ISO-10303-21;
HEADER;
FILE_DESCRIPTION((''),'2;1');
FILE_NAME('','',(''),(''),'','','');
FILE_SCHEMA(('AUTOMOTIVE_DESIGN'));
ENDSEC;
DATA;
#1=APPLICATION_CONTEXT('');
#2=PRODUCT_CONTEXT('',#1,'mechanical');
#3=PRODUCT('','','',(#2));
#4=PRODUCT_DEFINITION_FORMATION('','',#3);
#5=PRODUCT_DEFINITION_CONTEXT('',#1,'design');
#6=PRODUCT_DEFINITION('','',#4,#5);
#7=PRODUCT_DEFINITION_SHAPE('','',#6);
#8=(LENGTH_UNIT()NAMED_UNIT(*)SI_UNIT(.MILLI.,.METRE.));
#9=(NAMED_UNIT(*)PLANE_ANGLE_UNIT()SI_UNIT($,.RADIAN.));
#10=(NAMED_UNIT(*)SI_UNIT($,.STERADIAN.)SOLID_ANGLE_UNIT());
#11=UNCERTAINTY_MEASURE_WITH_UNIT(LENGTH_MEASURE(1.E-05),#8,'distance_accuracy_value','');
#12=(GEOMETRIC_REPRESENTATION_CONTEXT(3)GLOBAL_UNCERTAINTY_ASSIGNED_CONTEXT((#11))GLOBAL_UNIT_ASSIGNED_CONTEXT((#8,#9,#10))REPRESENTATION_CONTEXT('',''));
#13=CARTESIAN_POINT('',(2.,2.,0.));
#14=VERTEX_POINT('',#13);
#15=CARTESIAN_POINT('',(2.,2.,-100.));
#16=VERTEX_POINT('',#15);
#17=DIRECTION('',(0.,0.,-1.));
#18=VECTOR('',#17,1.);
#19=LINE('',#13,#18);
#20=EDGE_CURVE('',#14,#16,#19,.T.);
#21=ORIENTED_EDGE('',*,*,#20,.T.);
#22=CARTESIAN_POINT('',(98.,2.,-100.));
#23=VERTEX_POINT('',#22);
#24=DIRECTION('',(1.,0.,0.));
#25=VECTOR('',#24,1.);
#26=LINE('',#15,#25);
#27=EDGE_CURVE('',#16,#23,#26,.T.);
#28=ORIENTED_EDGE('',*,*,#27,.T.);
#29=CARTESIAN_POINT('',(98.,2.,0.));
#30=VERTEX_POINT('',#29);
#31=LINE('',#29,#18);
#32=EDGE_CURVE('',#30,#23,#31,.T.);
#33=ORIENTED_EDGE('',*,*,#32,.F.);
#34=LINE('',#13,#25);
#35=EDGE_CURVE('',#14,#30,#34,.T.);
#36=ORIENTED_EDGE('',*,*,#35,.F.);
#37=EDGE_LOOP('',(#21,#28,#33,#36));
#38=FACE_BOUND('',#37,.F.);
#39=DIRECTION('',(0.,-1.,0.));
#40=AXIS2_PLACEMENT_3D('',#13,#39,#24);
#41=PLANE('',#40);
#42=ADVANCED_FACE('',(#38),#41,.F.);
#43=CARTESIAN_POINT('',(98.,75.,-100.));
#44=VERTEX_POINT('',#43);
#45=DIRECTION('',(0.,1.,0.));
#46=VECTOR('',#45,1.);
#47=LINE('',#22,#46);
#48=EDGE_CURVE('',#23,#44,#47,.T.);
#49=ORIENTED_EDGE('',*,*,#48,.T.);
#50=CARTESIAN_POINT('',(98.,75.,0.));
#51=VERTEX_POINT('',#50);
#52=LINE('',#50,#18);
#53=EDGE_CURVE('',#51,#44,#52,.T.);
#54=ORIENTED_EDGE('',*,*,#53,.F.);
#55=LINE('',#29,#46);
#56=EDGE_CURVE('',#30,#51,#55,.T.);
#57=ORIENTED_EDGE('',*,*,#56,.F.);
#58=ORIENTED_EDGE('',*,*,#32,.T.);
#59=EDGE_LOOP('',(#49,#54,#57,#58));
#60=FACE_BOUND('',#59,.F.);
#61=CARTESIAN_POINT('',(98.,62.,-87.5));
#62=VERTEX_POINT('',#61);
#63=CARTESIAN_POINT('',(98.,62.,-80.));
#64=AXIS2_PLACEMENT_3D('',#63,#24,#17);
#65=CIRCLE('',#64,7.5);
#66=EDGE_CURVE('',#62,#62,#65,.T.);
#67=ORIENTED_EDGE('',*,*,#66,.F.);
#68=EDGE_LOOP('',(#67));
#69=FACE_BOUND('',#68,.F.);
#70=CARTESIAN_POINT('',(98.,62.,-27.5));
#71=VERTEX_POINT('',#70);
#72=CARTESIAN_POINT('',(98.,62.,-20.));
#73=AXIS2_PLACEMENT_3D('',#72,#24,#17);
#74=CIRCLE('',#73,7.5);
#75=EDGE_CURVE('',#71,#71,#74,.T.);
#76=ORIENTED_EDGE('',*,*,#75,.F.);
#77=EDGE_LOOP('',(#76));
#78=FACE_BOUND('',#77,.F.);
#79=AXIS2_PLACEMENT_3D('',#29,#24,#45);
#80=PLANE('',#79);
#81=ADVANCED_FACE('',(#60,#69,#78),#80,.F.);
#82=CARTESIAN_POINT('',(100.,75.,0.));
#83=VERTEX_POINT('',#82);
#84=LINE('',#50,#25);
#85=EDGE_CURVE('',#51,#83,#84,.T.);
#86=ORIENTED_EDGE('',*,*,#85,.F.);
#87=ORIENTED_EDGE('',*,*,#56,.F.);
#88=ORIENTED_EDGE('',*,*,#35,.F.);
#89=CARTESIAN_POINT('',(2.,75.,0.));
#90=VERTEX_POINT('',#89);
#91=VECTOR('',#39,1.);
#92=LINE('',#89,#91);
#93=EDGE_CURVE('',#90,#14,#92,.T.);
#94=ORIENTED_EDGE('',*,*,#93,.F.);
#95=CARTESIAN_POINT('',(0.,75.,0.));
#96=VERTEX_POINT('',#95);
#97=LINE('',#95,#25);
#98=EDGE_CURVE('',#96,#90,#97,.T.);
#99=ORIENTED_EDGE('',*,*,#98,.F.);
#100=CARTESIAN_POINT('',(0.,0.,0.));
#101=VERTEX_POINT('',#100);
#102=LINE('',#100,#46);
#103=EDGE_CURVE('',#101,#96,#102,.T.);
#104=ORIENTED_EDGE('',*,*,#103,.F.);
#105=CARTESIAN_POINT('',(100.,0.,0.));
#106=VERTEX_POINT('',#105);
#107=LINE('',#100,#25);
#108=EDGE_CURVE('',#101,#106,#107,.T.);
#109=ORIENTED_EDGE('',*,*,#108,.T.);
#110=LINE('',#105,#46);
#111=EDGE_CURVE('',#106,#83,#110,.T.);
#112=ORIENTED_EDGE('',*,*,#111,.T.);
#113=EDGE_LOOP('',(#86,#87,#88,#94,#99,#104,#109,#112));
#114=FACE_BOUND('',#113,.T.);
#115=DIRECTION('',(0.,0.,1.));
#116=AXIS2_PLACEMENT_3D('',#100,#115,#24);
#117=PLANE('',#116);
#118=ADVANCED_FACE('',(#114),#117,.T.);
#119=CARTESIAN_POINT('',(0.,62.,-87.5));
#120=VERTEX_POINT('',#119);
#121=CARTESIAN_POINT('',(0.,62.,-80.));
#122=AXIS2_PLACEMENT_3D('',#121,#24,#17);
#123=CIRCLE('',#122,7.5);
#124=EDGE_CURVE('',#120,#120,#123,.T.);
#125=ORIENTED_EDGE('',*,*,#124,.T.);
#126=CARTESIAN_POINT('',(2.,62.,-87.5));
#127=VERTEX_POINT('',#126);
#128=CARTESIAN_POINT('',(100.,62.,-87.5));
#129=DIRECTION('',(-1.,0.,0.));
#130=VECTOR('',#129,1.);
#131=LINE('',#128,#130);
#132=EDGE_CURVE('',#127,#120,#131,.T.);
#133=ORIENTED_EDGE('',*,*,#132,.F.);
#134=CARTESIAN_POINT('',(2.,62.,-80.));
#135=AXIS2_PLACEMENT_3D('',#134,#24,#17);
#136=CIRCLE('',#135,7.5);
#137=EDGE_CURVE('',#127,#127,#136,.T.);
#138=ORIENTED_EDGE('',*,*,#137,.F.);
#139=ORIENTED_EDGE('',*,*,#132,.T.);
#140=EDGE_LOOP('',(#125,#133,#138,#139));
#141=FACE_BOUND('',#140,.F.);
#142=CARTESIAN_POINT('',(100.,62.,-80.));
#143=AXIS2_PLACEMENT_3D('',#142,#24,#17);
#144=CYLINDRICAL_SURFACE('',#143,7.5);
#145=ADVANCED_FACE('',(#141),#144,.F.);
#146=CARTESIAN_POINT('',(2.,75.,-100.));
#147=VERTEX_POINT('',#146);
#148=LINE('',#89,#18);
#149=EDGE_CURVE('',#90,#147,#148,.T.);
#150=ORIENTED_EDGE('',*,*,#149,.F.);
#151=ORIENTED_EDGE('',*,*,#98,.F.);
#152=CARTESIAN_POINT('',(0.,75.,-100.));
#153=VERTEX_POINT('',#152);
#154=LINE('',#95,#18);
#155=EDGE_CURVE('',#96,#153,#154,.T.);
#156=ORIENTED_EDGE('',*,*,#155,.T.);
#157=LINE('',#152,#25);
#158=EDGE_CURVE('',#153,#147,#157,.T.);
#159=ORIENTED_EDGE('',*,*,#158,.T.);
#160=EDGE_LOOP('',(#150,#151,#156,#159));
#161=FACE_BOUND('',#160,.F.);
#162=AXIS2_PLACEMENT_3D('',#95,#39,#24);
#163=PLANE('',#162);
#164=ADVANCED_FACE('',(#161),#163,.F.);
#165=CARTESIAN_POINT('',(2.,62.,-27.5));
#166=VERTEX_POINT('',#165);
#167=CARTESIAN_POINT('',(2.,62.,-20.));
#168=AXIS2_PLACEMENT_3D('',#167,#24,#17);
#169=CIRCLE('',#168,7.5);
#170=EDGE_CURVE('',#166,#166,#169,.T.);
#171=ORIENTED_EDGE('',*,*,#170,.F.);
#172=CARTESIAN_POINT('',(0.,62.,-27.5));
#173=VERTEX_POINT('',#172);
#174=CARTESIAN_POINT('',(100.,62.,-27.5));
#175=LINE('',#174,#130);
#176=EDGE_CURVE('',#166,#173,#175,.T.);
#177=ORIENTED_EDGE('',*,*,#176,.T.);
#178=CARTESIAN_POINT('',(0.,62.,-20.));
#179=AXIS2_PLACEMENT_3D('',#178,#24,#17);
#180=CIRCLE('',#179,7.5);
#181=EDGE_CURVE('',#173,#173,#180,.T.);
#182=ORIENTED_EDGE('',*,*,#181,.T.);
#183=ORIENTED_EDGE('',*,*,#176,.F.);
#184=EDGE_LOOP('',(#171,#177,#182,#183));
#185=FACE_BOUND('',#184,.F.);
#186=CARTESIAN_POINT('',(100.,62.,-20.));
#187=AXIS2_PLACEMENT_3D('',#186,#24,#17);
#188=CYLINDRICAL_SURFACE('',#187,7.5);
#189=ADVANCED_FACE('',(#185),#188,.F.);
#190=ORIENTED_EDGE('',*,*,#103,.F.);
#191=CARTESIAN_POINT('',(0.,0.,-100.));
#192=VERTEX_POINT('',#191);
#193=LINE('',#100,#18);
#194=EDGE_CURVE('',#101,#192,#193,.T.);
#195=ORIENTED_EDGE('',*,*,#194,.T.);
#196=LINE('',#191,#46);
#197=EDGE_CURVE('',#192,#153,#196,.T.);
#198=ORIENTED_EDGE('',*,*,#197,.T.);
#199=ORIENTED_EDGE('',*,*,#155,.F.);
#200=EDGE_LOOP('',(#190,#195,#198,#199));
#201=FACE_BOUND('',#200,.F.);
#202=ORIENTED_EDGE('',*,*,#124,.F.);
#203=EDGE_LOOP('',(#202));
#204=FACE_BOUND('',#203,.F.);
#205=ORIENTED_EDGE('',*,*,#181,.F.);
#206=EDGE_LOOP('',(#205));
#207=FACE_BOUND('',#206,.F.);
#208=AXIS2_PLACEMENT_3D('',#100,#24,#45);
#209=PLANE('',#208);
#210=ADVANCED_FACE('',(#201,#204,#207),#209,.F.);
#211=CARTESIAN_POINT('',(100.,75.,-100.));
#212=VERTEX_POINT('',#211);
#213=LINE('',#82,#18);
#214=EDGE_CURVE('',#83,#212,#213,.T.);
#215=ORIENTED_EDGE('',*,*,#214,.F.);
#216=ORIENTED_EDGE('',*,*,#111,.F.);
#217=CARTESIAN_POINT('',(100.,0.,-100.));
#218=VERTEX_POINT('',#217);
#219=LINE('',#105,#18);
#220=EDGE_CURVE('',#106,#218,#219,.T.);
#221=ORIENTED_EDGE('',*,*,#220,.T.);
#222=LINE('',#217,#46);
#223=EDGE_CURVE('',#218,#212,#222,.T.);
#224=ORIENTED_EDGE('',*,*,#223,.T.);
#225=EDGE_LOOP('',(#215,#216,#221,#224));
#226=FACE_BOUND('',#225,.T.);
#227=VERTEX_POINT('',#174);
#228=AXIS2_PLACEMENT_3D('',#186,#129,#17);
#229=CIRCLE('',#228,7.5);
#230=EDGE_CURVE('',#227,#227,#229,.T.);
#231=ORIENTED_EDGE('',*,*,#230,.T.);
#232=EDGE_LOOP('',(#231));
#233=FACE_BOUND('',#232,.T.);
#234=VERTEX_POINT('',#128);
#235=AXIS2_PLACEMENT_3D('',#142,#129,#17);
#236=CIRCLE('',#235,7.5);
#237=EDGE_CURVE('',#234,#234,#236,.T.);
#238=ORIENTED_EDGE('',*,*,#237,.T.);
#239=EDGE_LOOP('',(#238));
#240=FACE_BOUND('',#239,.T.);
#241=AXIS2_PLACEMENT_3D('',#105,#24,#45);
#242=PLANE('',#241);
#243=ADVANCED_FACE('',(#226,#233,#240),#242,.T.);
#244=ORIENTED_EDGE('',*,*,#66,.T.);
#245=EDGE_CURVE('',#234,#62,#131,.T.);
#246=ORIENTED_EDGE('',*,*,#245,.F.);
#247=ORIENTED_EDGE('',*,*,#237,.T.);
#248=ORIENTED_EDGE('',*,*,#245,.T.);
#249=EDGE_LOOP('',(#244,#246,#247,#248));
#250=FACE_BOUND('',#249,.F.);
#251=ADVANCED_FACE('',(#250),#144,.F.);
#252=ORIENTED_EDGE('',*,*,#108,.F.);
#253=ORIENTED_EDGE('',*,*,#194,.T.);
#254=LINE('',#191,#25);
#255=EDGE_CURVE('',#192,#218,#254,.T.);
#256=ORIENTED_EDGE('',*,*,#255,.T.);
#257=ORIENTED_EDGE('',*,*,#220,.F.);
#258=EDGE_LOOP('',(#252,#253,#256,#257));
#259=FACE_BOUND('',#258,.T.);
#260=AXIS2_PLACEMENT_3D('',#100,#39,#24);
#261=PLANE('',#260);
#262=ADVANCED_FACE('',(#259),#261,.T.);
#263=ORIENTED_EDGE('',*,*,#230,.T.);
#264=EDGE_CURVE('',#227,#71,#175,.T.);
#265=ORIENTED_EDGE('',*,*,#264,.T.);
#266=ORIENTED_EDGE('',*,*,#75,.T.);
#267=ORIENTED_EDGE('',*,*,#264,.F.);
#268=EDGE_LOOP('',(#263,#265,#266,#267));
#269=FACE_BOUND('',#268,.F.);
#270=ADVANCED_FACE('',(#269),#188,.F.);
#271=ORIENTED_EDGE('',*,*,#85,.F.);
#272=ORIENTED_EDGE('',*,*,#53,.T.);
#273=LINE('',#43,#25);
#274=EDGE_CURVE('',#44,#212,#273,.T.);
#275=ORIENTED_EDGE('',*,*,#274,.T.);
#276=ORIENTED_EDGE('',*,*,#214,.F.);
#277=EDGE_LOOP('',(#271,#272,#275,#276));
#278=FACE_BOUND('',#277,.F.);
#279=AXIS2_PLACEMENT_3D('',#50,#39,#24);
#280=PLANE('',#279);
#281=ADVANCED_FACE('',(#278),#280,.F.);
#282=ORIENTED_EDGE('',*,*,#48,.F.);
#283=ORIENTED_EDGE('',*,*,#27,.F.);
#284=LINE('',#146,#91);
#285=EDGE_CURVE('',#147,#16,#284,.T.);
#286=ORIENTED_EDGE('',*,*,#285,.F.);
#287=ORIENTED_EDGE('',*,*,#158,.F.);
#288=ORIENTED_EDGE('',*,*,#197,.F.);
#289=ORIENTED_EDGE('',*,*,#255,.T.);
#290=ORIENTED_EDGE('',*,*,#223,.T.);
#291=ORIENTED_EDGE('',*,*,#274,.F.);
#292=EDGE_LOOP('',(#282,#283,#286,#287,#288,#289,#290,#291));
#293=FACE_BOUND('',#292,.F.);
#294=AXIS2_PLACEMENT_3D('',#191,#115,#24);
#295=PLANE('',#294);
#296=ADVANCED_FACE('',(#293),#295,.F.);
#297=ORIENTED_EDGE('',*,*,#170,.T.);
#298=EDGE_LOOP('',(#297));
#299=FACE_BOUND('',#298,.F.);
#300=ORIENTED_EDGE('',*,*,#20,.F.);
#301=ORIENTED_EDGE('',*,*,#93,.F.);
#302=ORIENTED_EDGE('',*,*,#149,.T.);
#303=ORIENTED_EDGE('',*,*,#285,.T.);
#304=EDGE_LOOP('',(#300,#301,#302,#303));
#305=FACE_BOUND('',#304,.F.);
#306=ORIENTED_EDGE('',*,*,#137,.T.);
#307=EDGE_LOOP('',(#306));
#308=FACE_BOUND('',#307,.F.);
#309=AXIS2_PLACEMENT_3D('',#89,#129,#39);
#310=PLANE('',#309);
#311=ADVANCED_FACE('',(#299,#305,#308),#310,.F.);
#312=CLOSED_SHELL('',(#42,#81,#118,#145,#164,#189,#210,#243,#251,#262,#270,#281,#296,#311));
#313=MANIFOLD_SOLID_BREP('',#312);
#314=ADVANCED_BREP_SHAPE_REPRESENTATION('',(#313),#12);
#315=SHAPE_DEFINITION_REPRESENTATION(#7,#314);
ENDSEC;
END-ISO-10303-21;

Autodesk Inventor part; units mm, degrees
ref_plane "YZ Plane" through (0, 0, 0) normal (1, 0, 0) x (0, 1, 0)
ref_plane "XZ Plane" through (0, 0, 0) normal (0, 1, 0) x (-1, 0, 0)
ref_plane "XY Plane" through (0, 0, 0) normal (0, 0, 1) x (1, 0, 0)
sketch "Sketch1" plane through (0, 0, 0) normal (0, 0, 1) x (1, 0, 0)
  line L0 (0, 0) -> (0, 75)
  line L1 (0, 0) -> (100, 0)
  line L2 (100, 0) -> (100, 75)
  line L3 (0, 75) -> (2, 75)
  line L4 (2, 75) -> (2, 2)
  line L5 (2, 2) -> (98, 2)
  line L6 (98, 2) -> (98, 75)
  line L7 (98, 75) -> (100, 75)
  dimension "d0" = 75
  dimension "d1" = 100
  dimension "d2" = 75
  dimension "d3" = 2
  dimension "d4" = 73
  dimension "d5" = 96
extrude "Extrusion1" add sketch "Sketch1" against normal blind 100
sketch "Sketch2" plane through (100, 0, 0) normal (1, 0, 0) x (0, 0, -1)
  line L0 (0, 75) -> (100, 75) projected
  line L1 (0, 75) -> (20, 75)
  line L2 (100, 2) -> (100, 75) projected
  line L3 (20, 75) -> (20, 62)
  line L4 (20, 62) -> (80, 62)
  circle A0 centre (20, 62) radius 7.5
  circle A1 centre (80, 62) radius 7.5
  point P0 (0, 0)
  dimension "d8" = 20
  dimension "d9" = 13
  dimension "d10" = 60
  dimension "d11" = 15
  dimension "d12" = 15
extrude "Extrusion2" cut sketch "Sketch2" against normal through all
properties part number "motor holder"
